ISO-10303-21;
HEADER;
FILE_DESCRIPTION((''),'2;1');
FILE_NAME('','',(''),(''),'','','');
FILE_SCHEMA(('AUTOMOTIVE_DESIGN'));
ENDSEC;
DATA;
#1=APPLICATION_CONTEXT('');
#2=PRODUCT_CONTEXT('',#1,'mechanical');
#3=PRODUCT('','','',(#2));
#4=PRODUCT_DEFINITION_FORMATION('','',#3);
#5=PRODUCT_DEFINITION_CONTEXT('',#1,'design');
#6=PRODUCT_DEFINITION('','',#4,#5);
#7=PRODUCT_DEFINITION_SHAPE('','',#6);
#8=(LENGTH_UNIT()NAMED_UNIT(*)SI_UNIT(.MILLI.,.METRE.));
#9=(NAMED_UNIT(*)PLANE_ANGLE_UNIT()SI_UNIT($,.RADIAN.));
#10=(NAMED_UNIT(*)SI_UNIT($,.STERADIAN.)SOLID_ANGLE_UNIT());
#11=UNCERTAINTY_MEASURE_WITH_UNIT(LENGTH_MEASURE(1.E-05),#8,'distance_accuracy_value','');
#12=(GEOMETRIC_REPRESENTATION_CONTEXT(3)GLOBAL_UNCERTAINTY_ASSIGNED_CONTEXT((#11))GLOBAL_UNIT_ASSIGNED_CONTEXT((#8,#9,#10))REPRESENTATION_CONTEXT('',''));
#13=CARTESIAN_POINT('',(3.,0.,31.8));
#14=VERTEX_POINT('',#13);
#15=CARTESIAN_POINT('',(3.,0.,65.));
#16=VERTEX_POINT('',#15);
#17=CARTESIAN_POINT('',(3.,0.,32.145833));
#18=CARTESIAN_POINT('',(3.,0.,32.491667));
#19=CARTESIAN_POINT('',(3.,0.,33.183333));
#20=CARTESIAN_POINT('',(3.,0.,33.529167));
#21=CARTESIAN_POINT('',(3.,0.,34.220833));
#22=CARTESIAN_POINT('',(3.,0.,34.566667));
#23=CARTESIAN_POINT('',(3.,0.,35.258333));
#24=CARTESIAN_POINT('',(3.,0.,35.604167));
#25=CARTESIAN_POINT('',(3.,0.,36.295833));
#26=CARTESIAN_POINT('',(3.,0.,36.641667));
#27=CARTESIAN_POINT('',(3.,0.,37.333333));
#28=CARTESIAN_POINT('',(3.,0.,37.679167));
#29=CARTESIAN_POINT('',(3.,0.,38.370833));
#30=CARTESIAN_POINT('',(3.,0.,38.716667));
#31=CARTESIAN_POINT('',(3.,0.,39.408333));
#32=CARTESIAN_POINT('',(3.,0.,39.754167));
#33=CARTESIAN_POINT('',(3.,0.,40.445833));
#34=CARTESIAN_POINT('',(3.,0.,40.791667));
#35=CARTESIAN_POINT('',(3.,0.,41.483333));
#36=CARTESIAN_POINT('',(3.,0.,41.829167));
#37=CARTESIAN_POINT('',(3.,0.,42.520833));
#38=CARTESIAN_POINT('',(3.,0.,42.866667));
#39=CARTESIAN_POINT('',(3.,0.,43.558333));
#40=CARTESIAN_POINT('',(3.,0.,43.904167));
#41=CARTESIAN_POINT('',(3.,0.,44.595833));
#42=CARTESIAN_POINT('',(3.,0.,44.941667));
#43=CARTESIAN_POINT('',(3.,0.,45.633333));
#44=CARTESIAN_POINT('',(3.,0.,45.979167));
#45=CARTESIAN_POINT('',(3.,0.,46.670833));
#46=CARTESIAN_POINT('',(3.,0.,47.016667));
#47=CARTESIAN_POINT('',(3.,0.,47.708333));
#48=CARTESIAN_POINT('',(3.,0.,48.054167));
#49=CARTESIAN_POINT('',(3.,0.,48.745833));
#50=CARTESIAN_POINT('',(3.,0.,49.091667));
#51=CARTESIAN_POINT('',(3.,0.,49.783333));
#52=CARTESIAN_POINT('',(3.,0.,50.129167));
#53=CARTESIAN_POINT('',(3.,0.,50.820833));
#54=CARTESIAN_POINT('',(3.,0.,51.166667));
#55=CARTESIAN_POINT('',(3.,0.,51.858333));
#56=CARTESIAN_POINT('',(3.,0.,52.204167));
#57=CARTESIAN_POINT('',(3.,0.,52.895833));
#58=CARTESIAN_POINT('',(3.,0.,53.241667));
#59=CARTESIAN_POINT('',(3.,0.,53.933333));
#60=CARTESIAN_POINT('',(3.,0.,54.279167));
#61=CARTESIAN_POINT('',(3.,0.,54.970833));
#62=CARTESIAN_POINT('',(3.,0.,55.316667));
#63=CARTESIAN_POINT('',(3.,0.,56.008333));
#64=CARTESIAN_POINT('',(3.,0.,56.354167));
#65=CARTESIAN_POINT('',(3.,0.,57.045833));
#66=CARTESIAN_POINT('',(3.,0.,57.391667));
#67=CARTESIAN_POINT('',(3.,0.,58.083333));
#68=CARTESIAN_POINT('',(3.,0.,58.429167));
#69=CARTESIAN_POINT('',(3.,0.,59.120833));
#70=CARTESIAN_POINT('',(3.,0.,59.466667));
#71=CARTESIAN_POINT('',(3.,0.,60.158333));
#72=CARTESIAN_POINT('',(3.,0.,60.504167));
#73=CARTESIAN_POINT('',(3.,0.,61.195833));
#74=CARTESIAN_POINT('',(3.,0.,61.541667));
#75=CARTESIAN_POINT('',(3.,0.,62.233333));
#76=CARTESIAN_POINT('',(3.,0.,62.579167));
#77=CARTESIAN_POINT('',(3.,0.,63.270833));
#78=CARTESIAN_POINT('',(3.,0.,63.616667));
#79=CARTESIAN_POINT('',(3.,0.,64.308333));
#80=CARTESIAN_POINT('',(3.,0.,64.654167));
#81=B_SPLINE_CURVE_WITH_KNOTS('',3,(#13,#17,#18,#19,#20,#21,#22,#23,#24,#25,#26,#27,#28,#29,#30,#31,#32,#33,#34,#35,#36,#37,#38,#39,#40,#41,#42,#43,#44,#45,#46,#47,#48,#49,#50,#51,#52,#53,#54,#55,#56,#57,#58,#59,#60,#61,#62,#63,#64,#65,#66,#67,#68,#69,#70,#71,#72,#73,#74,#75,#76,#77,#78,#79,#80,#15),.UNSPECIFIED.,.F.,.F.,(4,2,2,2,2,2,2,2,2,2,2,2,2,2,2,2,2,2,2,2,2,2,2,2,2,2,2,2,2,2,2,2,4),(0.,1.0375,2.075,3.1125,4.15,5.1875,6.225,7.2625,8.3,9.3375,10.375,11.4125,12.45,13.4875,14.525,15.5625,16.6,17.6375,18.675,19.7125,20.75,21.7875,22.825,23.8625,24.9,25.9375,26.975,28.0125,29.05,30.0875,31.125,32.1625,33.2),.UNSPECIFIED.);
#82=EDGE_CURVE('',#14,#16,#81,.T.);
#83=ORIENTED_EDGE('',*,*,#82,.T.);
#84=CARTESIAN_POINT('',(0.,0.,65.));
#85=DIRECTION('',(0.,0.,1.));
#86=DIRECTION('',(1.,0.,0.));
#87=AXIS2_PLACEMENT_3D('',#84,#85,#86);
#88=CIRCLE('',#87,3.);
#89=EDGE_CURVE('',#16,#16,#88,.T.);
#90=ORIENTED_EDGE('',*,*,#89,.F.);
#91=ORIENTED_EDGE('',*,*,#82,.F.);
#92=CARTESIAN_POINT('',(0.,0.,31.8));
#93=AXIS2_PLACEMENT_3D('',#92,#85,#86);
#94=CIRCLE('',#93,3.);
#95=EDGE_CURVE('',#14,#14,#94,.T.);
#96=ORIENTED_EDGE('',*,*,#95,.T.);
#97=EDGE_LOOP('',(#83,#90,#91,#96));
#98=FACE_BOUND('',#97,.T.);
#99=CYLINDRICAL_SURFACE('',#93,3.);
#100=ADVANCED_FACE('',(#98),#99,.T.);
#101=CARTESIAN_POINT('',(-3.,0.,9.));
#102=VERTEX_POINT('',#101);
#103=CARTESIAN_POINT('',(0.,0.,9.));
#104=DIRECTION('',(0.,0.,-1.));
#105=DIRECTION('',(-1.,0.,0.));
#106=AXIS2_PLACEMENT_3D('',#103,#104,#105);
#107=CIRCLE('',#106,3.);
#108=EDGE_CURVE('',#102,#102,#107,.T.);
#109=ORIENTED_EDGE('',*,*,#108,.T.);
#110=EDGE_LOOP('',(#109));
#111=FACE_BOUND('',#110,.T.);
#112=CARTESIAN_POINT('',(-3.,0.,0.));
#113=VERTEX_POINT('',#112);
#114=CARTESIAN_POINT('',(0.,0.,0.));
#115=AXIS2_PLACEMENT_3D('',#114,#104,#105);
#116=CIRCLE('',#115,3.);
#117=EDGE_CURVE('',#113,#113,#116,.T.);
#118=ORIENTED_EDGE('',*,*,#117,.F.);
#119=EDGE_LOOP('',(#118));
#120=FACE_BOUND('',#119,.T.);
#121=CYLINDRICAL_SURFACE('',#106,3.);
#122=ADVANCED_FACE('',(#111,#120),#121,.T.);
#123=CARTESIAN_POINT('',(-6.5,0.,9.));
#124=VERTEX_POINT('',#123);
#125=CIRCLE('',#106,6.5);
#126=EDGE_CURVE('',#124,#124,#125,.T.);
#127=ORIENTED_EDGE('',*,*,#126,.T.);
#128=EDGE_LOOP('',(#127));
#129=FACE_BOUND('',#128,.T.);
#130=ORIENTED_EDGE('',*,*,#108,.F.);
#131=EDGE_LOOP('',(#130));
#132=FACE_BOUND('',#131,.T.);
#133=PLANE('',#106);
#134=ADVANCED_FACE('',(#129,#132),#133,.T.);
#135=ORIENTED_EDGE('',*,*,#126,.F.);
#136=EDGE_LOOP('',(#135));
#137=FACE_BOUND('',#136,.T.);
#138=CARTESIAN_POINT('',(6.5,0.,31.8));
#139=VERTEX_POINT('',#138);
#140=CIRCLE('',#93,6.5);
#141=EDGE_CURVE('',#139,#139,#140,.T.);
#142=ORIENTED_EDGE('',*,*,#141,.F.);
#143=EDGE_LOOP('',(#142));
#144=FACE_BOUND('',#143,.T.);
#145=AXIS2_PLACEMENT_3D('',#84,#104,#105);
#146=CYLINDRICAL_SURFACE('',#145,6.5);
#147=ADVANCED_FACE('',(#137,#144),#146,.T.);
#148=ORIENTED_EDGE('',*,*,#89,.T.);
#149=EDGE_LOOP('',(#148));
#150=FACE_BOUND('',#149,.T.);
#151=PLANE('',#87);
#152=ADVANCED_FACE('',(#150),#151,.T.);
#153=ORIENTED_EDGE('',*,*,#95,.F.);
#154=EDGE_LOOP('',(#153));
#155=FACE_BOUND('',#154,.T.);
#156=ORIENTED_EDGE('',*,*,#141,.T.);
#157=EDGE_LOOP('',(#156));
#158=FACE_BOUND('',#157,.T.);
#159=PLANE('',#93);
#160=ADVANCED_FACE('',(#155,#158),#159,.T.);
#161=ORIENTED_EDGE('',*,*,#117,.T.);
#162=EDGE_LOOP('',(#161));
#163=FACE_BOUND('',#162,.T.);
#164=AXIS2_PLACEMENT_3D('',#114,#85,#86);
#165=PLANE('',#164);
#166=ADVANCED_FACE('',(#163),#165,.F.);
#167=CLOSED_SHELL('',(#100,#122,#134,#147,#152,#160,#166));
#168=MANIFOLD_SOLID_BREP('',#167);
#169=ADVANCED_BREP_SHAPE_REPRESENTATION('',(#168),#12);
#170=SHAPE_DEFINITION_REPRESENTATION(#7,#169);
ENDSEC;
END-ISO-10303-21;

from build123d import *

# Parameters (mm, degrees)
SKETCH1_R           = 6.5
BOSS_EXTRUDE1_DEPTH = 65
CUT_EXTRUDE2_START  = -33.2
SKETCH3_R           = 6.5
SKETCH3_R_2         = 3
CUT_EXTRUDE2_DEPTH  = 33.2
SKETCH4_R           = 6.5
SKETCH4_R_2         = 3
CUT_EXTRUDE3_DEPTH  = 9


with BuildPart() as part:
    # Sketch1 → Boss-Extrude1 (new body)
    with BuildSketch(Plane.XY):
        Circle(SKETCH1_R)
    extrude(amount=BOSS_EXTRUDE1_DEPTH)

    # Sketch3 → Cut-Extrude2 (cut)
    with BuildSketch(Plane.XY.offset(65).offset(CUT_EXTRUDE2_START)):
        Circle(SKETCH3_R)
        Circle(SKETCH3_R_2, mode=Mode.SUBTRACT)
    extrude(amount=CUT_EXTRUDE2_DEPTH, mode=Mode.SUBTRACT)

    # Sketch4 → Cut-Extrude3 (cut)
    with BuildSketch(Plane(origin=(0, 0, 0), x_dir=(-1, 0, 0), z_dir=(0, 0, -1))):
        Circle(SKETCH4_R)
        with Locations(Location((0, 0, 0), (0, 0, 180))):
            Circle(SKETCH4_R_2, mode=Mode.SUBTRACT)
    extrude(amount=-CUT_EXTRUDE3_DEPTH, mode=Mode.SUBTRACT)


solid = part.part
